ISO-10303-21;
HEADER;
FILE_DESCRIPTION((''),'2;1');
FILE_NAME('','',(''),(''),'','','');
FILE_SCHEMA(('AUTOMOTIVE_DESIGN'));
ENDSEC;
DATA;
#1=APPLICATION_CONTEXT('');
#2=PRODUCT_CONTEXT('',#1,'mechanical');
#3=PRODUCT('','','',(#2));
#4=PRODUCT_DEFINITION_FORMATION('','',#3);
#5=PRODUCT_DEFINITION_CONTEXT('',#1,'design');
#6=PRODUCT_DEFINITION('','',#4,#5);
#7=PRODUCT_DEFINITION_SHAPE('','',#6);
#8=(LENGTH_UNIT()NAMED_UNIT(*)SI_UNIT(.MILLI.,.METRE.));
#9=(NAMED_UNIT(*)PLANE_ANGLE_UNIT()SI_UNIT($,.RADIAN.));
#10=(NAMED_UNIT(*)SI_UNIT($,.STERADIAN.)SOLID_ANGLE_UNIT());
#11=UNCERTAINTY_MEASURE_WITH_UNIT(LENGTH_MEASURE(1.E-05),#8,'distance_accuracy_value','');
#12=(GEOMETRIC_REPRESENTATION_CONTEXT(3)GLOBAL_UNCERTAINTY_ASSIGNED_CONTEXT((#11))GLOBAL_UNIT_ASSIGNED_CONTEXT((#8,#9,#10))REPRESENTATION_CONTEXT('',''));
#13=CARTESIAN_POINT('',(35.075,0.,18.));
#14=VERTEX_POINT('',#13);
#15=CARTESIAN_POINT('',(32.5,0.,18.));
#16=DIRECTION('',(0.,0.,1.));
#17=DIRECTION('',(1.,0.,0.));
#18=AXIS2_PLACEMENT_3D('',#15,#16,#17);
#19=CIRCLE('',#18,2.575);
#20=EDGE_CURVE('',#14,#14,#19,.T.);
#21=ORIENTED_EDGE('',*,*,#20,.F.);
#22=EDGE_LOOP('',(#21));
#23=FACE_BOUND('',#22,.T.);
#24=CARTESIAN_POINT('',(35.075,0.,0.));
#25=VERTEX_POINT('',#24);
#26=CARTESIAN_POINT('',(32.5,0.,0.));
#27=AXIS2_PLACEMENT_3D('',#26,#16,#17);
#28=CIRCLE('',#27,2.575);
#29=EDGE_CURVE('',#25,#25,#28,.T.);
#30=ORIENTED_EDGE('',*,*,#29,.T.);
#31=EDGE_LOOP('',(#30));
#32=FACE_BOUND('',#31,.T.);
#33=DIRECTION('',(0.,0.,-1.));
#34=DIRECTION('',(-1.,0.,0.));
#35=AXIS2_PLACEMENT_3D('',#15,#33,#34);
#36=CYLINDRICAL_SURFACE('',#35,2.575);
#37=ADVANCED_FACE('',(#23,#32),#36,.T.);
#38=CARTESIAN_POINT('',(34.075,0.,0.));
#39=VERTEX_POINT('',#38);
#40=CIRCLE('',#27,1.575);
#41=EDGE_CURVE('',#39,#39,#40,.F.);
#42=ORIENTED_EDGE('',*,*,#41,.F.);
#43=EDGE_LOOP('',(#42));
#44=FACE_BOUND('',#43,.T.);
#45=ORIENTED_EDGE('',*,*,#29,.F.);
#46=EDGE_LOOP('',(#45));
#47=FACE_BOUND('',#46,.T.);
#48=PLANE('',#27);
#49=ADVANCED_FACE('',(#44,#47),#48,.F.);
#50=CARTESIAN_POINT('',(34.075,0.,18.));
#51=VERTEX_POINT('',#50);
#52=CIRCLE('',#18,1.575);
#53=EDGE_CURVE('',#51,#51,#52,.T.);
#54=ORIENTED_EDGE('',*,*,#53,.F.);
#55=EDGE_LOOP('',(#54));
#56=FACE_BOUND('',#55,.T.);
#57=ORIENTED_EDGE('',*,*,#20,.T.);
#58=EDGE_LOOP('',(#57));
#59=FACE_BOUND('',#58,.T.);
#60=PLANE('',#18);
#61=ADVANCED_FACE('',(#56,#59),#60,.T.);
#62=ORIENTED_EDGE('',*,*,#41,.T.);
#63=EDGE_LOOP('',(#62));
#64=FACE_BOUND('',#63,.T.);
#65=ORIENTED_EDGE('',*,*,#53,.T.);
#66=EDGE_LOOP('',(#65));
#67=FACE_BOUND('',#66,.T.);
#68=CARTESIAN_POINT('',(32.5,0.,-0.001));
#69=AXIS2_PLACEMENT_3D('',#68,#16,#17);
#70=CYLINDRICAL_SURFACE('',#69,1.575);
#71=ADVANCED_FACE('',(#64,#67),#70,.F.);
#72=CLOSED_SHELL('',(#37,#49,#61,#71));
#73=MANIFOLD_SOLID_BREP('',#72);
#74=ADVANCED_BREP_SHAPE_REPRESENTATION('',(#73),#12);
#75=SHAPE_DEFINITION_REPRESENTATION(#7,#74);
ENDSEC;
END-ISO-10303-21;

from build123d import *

# Parameters (mm, degrees)
SKETCH1_R           = 2.575
BOSS_EXTRUDE1_DEPTH = 18
CUT_EXTRUDE1_REACH  = 41.508
SKETCH3_R           = 1.575


with BuildPart() as part:
    # Sketch1 → Boss-Extrude1 (new body)
    with BuildSketch(Plane.XY):
        with Locations((32.5, 0)):
            Circle(SKETCH1_R)
    extrude(amount=BOSS_EXTRUDE1_DEPTH)

    # Sketch3 → Cut-Extrude1 (cut, up to next)
    with BuildSketch(Plane.XY.offset(18), mode=Mode.PRIVATE) as cut_extrude1_sk1:
        with Locations((32.5, 0)):
            Circle(SKETCH3_R)
    cut_extrude1_tool1 = extrude(cut_extrude1_sk1.sketch, amount=-CUT_EXTRUDE1_REACH, mode=Mode.PRIVATE) & part.part
    add(cut_extrude1_tool1.solids().sort_by_distance((32.5, 0, 18))[0], mode=Mode.SUBTRACT)


solid = part.part
